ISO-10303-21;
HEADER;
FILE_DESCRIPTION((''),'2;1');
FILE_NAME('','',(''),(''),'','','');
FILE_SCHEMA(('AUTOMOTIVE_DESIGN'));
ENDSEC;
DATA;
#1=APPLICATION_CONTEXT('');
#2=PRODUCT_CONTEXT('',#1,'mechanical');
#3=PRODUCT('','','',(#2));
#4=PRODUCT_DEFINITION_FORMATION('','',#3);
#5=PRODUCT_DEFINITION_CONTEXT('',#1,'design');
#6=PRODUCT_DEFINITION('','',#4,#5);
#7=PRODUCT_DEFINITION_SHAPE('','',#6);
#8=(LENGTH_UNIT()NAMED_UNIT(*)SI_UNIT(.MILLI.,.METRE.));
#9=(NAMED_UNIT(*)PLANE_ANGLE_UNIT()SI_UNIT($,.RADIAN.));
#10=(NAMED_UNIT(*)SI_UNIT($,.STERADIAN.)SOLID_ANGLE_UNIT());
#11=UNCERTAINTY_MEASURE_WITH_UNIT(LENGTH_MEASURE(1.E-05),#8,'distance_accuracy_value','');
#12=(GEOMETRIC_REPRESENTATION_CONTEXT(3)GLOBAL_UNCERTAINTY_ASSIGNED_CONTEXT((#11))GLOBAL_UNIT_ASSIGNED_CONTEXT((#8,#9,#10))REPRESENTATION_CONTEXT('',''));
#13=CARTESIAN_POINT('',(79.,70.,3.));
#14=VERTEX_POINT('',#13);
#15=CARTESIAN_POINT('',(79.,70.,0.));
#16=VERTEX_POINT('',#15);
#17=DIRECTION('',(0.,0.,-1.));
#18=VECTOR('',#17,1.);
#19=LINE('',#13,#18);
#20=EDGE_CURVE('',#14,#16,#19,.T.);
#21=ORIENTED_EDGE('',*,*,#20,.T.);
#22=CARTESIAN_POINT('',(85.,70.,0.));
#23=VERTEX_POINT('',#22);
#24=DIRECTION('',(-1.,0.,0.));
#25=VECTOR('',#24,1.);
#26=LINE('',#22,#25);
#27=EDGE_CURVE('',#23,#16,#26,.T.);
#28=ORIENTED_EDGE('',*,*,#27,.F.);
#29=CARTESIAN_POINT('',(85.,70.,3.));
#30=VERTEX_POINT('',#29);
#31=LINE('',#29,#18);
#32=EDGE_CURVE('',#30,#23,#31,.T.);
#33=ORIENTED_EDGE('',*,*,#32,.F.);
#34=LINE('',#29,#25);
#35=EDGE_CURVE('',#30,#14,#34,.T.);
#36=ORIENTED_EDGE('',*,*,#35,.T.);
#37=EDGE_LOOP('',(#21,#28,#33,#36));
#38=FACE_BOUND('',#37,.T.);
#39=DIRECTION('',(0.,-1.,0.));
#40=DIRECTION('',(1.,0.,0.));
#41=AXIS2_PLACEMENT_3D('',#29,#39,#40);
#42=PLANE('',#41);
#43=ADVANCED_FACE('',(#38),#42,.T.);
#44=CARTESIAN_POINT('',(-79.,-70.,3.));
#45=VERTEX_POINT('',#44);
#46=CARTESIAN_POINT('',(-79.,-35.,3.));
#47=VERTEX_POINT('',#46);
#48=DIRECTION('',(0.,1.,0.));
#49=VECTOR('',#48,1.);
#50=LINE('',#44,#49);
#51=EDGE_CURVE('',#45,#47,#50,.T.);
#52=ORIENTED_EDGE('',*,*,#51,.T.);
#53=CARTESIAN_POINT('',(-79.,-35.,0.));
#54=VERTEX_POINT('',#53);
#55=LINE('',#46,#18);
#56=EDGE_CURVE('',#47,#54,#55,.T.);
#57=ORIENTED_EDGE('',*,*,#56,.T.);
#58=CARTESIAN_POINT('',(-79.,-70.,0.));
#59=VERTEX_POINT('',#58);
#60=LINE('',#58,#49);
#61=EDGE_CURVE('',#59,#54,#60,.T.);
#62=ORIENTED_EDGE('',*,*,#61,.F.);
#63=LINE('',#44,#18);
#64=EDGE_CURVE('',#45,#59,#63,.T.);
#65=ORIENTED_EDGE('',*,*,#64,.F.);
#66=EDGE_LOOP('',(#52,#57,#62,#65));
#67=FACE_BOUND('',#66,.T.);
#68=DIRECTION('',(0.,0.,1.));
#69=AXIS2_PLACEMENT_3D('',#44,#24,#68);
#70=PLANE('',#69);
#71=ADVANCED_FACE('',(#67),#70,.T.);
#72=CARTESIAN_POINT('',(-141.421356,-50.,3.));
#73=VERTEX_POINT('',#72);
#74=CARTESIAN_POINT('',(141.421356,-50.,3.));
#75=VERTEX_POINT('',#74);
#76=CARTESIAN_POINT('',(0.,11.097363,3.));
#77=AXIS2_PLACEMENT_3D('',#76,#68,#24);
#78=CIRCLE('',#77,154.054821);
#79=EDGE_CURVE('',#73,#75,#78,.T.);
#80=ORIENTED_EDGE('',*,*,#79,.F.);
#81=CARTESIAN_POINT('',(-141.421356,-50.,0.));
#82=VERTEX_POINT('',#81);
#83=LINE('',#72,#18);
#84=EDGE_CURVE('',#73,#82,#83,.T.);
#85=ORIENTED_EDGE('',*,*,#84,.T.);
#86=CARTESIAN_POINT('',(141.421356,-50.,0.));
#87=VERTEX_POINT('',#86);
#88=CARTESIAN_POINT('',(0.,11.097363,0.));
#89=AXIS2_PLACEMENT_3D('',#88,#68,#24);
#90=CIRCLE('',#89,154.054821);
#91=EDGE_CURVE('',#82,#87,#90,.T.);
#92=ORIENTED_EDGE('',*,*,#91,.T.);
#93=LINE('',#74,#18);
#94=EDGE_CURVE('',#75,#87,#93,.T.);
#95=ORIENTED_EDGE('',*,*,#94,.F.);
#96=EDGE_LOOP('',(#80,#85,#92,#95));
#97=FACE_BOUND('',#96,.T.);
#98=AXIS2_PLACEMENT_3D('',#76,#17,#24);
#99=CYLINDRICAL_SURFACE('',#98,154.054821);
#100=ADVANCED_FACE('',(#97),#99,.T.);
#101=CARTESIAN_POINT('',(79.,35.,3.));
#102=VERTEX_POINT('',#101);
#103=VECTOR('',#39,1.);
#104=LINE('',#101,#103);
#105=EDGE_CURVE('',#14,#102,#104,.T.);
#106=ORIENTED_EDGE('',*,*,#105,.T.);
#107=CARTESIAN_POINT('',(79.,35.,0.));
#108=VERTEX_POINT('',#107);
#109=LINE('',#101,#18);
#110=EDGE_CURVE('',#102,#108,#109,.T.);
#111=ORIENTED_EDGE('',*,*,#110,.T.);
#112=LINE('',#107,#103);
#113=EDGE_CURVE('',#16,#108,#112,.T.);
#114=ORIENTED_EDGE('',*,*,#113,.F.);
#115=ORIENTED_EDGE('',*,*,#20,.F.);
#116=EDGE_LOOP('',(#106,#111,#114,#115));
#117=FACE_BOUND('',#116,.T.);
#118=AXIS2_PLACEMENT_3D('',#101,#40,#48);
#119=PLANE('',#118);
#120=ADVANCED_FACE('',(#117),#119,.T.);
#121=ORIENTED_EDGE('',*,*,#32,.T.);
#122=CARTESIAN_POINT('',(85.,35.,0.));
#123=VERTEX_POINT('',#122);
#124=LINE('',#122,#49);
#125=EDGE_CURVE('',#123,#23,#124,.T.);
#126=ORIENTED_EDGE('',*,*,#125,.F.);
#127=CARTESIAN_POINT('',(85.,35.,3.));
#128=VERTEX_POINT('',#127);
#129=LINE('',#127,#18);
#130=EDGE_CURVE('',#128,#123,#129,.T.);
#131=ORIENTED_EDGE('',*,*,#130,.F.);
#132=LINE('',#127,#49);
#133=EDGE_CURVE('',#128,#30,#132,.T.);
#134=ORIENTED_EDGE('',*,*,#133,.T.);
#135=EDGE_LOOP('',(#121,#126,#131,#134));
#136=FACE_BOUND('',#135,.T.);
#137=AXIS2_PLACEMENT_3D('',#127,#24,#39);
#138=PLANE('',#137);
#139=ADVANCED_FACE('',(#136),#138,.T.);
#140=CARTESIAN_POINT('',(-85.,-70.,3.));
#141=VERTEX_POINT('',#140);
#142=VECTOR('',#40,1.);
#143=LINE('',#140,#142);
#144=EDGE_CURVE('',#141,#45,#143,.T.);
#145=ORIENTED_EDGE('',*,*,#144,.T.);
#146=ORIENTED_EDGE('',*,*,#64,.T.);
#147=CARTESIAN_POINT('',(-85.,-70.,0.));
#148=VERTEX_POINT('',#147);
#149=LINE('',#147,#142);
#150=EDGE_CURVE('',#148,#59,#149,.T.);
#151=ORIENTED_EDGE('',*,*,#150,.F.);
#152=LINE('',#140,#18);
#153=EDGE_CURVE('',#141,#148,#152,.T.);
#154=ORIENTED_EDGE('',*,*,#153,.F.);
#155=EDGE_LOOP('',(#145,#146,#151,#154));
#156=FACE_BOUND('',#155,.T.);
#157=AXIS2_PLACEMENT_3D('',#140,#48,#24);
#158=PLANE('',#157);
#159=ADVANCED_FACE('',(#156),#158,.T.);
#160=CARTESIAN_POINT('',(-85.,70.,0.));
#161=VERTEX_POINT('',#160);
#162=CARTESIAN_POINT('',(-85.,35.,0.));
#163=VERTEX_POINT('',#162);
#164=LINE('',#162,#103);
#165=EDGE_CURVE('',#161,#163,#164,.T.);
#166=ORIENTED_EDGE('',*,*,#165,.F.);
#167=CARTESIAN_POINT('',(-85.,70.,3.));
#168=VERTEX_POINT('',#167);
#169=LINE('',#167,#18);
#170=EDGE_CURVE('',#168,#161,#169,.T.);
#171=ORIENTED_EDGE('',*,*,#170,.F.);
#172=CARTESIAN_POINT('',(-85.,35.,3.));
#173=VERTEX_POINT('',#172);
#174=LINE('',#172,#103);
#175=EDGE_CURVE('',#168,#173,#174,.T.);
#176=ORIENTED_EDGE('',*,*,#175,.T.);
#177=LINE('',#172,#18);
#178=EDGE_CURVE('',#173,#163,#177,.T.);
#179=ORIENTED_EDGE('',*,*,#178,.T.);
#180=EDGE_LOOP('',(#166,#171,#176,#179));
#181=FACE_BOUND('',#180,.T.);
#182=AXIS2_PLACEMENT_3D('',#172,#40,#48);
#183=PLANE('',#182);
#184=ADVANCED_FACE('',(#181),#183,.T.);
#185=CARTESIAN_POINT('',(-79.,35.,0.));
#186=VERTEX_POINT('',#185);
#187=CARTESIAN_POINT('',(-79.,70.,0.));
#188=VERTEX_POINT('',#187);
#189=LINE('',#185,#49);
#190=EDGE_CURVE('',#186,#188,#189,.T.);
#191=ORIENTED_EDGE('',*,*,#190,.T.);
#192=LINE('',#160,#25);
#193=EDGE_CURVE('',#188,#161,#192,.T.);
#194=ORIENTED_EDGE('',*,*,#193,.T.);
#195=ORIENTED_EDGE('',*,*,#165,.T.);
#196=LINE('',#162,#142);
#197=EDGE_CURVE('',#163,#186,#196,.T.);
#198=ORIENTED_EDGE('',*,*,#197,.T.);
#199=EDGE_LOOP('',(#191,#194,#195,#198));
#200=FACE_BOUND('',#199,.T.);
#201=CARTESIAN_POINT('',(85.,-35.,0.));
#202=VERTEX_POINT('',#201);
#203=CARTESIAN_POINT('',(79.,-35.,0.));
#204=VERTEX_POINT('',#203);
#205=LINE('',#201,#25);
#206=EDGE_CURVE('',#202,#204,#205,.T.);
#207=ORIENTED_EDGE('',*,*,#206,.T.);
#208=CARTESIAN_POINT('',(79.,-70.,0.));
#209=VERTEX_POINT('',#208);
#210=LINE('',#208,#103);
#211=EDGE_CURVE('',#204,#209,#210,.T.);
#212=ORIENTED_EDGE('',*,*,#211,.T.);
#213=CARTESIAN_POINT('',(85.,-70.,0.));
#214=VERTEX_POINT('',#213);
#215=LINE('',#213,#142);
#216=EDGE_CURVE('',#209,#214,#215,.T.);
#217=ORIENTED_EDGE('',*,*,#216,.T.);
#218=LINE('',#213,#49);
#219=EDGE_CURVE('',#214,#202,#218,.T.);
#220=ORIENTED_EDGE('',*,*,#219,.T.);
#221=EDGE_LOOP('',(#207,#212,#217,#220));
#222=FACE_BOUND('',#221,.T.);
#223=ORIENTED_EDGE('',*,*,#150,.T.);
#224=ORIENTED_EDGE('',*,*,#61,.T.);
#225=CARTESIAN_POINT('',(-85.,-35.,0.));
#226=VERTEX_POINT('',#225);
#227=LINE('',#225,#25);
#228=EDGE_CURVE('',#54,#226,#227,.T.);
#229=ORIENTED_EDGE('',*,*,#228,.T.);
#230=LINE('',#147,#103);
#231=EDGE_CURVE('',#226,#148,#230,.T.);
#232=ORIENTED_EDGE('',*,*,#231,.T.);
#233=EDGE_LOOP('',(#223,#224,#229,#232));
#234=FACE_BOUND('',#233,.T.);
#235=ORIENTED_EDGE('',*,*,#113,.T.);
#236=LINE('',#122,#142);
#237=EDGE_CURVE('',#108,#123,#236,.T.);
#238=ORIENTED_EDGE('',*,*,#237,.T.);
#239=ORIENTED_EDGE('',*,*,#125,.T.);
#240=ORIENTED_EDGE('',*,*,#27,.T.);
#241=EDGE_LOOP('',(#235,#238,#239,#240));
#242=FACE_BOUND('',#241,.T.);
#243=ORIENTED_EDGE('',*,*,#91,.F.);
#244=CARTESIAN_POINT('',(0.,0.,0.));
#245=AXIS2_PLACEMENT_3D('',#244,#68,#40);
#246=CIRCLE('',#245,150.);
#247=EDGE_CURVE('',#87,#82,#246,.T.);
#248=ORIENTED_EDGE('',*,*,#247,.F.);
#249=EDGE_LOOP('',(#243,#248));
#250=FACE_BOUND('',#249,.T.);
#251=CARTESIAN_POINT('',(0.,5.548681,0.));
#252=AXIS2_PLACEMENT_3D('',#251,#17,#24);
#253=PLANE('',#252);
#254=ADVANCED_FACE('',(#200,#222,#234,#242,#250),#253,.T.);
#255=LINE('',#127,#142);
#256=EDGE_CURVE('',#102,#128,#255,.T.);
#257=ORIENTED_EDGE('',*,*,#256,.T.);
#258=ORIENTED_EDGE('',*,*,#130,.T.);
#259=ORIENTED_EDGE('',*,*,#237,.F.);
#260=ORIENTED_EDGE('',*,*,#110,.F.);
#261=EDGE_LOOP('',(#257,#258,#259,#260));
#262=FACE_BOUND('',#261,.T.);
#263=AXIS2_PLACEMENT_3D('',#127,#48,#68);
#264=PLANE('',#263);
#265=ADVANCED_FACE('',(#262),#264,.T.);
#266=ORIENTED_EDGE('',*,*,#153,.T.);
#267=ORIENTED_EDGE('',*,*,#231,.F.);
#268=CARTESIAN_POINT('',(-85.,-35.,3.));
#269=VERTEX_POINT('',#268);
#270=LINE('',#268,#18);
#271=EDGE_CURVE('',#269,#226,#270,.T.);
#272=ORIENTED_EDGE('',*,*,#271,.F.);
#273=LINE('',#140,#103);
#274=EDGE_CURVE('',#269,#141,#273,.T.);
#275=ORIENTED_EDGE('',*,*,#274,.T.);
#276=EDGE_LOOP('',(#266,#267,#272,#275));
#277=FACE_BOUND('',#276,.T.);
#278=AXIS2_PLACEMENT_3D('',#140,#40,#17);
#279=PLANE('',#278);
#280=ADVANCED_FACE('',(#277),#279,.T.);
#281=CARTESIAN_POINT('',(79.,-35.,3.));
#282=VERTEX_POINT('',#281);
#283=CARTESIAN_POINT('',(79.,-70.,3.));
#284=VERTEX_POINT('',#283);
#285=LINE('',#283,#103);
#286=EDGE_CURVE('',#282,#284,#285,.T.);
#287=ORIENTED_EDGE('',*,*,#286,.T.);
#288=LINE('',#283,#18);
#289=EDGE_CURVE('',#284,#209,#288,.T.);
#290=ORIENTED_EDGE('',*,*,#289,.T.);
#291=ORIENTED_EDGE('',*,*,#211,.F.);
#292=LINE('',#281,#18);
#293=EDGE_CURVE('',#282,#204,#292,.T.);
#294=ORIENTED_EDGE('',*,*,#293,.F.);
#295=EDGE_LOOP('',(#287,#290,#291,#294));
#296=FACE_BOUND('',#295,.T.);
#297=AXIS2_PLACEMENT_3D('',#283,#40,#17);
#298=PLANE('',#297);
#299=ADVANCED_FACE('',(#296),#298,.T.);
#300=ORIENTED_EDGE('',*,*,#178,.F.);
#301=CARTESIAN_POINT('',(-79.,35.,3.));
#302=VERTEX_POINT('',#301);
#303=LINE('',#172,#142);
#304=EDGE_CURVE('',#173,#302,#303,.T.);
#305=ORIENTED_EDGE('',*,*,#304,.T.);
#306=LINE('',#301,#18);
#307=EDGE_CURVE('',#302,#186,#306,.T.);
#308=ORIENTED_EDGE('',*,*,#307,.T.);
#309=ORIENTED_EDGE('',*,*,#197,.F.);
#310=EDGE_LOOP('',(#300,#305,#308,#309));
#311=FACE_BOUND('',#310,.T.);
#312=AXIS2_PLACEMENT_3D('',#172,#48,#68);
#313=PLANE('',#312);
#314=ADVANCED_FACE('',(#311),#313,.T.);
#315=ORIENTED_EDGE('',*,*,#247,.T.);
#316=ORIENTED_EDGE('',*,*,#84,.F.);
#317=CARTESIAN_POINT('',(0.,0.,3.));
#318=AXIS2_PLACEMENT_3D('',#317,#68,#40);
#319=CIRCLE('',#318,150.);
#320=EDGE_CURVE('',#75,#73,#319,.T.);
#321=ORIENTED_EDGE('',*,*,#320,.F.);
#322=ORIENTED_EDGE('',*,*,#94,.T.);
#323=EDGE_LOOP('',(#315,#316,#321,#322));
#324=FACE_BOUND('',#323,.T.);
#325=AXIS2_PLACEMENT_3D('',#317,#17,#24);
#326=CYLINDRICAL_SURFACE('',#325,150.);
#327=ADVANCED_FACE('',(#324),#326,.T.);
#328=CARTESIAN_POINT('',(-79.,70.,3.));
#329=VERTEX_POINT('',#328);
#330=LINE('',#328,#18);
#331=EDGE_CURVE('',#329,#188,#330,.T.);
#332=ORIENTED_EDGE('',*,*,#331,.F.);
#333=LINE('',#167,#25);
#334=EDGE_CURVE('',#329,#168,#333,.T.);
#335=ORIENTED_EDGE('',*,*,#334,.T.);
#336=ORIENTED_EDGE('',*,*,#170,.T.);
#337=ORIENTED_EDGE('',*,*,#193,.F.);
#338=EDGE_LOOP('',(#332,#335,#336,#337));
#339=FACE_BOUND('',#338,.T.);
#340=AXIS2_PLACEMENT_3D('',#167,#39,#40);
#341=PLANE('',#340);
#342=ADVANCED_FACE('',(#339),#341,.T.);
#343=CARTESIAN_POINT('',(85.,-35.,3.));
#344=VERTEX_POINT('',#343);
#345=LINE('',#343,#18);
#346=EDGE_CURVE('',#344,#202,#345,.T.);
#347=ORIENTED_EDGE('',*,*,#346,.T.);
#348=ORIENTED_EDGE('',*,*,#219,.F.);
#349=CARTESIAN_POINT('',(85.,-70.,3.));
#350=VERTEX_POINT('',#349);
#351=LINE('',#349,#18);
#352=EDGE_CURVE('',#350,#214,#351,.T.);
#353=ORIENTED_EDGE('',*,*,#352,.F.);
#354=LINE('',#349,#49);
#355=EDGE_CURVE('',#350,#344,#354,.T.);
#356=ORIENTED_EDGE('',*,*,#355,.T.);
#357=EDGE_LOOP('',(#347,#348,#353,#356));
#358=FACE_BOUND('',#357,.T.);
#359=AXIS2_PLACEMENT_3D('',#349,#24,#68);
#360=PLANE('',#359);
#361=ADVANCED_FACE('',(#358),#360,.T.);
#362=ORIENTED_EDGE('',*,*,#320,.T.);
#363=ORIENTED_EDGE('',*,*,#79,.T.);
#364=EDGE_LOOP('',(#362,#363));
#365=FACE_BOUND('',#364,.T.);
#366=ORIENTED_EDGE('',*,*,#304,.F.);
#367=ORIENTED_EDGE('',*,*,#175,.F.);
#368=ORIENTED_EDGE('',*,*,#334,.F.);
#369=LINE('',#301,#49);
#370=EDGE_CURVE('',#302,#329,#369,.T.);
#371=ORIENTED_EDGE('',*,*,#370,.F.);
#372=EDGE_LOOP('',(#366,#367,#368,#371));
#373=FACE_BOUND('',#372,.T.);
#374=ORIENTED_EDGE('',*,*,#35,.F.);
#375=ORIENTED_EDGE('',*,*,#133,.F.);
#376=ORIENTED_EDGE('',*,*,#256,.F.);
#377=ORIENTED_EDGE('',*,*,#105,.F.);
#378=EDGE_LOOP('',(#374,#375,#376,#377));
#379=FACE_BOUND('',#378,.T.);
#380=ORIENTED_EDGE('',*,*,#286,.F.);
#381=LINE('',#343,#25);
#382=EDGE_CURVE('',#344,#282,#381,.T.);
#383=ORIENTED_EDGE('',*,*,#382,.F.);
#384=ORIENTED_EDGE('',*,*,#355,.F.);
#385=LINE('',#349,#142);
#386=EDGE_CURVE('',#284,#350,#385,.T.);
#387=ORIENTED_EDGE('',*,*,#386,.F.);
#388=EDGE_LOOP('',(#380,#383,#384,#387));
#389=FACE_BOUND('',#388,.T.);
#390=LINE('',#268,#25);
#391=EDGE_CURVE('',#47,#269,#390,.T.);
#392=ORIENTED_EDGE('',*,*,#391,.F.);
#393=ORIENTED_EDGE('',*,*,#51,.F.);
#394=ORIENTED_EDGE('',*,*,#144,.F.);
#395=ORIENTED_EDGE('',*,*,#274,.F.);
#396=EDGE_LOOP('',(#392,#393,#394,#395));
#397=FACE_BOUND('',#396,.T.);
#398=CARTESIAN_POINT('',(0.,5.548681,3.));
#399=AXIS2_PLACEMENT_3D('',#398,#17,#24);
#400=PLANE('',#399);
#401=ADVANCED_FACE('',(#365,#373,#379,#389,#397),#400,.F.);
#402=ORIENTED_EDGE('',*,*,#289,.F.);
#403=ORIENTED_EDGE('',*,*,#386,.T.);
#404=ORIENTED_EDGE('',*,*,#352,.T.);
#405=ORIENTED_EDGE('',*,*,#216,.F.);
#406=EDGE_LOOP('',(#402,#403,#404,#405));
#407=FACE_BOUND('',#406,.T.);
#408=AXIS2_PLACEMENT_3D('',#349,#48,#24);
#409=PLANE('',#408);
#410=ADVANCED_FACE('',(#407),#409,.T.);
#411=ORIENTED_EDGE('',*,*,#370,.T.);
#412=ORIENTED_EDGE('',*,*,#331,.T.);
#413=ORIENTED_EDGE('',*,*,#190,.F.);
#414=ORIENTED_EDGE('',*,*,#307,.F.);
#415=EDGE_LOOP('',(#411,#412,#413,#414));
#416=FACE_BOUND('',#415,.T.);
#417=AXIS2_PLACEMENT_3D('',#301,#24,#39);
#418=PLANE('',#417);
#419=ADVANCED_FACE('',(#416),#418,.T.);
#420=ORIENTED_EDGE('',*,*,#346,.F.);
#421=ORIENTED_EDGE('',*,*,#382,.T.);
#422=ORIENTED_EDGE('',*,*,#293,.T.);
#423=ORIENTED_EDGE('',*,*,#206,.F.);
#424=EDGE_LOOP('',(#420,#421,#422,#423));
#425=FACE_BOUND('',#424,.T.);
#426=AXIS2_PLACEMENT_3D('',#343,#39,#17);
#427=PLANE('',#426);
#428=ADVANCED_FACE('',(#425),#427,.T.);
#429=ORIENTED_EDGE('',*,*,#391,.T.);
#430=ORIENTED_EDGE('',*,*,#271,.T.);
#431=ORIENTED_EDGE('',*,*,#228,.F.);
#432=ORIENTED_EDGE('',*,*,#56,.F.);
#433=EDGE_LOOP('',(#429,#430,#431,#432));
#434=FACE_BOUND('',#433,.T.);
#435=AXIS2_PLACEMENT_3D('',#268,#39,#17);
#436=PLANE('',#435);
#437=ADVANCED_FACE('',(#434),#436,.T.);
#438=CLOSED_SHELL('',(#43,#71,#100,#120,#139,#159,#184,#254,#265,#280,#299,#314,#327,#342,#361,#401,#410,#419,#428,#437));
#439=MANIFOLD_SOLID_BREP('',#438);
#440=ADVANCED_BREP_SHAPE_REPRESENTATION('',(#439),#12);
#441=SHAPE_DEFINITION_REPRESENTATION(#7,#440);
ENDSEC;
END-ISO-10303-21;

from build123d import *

# Parameters (mm, degrees)
ESBO_O1_W                = 6
ESBO_O1_H                = 35
RESSALTO_EXTRUS_O1_DEPTH = 3


with BuildPart() as part:
    # Esboço1 → Ressalto-extrusão1 (new body)
    with BuildSketch(Plane.XY):
        with BuildLine():
            ThreePointArc((141.421356237, -50), (0, 150), (-141.421356237, -50))
            ThreePointArc((-141.421356237, -50), (0, -142.957457878), (141.421356237, -50))
        make_face()
        with Locations((-82, -52.5)):
            Rectangle(ESBO_O1_W, ESBO_O1_H, mode=Mode.SUBTRACT)
        with Locations((-82, 52.5)):
            Rectangle(ESBO_O1_W, ESBO_O1_H, mode=Mode.SUBTRACT)
        with Locations((82, -52.5)):
            Rectangle(ESBO_O1_W, ESBO_O1_H, mode=Mode.SUBTRACT)
        with Locations((82, 52.5)):
            Rectangle(ESBO_O1_W, ESBO_O1_H, mode=Mode.SUBTRACT)
    extrude(amount=RESSALTO_EXTRUS_O1_DEPTH)


solid = part.part
